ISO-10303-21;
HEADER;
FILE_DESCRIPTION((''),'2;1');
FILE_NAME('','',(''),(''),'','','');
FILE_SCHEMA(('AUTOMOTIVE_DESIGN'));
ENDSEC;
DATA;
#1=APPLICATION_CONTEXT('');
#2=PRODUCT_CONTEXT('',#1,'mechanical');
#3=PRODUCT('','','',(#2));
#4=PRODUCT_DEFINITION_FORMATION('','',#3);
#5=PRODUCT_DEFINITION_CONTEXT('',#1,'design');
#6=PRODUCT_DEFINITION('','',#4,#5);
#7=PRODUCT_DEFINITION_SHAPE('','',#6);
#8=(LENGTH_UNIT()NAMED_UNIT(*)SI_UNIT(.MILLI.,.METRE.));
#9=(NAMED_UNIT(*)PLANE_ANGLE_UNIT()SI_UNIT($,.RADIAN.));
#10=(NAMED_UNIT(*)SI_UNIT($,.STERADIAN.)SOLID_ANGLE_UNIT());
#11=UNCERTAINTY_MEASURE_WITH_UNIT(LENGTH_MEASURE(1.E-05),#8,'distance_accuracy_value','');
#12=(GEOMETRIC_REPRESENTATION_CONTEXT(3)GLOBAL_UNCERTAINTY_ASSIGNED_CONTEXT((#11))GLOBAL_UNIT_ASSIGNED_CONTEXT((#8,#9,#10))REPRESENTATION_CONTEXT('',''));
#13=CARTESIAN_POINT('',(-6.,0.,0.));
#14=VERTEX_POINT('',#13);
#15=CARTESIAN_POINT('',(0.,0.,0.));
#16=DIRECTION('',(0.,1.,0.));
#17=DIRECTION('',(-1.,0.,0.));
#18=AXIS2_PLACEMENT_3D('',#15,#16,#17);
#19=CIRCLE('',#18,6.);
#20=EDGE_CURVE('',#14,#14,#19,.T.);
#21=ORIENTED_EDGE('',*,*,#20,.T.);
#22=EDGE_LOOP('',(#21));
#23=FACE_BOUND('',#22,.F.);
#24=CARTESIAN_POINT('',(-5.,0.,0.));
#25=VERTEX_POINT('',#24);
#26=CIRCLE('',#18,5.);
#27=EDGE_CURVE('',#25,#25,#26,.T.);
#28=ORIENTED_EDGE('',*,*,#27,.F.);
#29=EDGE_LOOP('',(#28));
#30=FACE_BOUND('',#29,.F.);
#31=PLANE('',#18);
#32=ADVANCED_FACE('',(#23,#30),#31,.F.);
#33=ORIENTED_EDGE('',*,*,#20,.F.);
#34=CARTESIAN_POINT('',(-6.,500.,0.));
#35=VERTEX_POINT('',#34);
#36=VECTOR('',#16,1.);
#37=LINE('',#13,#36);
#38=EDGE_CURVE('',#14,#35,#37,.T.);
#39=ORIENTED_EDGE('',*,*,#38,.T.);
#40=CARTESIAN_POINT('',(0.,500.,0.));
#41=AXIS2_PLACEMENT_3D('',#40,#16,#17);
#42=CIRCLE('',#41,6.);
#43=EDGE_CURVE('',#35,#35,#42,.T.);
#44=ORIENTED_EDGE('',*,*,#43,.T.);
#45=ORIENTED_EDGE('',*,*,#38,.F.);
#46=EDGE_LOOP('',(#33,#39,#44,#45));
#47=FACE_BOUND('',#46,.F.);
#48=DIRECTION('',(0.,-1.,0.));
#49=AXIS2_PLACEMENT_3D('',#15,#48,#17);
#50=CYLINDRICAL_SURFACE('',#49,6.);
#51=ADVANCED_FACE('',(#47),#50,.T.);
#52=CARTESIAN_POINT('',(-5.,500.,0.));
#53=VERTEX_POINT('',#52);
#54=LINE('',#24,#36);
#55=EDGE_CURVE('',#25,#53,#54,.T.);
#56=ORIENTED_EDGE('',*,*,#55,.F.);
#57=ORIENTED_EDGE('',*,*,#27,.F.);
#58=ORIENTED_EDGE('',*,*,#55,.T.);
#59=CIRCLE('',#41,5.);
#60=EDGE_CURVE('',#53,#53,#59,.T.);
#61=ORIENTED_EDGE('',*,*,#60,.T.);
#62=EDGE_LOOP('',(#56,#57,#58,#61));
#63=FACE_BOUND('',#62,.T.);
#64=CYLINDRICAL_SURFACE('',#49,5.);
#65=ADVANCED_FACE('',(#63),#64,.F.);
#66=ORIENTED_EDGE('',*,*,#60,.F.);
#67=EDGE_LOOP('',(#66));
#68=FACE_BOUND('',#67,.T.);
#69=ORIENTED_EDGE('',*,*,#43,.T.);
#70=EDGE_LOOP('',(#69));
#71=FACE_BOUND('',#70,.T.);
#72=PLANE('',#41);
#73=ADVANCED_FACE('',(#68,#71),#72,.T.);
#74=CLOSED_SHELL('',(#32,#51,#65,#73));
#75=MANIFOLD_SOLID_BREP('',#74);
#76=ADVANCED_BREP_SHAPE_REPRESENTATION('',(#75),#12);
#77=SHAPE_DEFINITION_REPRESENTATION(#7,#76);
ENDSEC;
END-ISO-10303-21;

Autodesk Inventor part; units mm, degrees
ref_plane "YZ Plane" through (0, 0, 0) normal (1, 0, 0) x (0, 1, 0)
ref_plane "XZ Plane" through (0, 0, 0) normal (0, 1, 0) x (-1, 0, 0)
ref_plane "XY Plane" through (0, 0, 0) normal (0, 0, 1) x (1, 0, 0)
sketch "Sketch1" plane through (0, 0, 0) normal (0, 1, 0) x (-1, 0, 0)
  circle A0 centre (0, 0) radius 6
  circle A1 centre (0, 0) radius 5
  dimension "d0" = 12
  dimension "d1" = 10
extrude "Extrusion1" add sketch "Sketch1" along normal blind 500
properties part number "CF_tube_12mm_500mm"
